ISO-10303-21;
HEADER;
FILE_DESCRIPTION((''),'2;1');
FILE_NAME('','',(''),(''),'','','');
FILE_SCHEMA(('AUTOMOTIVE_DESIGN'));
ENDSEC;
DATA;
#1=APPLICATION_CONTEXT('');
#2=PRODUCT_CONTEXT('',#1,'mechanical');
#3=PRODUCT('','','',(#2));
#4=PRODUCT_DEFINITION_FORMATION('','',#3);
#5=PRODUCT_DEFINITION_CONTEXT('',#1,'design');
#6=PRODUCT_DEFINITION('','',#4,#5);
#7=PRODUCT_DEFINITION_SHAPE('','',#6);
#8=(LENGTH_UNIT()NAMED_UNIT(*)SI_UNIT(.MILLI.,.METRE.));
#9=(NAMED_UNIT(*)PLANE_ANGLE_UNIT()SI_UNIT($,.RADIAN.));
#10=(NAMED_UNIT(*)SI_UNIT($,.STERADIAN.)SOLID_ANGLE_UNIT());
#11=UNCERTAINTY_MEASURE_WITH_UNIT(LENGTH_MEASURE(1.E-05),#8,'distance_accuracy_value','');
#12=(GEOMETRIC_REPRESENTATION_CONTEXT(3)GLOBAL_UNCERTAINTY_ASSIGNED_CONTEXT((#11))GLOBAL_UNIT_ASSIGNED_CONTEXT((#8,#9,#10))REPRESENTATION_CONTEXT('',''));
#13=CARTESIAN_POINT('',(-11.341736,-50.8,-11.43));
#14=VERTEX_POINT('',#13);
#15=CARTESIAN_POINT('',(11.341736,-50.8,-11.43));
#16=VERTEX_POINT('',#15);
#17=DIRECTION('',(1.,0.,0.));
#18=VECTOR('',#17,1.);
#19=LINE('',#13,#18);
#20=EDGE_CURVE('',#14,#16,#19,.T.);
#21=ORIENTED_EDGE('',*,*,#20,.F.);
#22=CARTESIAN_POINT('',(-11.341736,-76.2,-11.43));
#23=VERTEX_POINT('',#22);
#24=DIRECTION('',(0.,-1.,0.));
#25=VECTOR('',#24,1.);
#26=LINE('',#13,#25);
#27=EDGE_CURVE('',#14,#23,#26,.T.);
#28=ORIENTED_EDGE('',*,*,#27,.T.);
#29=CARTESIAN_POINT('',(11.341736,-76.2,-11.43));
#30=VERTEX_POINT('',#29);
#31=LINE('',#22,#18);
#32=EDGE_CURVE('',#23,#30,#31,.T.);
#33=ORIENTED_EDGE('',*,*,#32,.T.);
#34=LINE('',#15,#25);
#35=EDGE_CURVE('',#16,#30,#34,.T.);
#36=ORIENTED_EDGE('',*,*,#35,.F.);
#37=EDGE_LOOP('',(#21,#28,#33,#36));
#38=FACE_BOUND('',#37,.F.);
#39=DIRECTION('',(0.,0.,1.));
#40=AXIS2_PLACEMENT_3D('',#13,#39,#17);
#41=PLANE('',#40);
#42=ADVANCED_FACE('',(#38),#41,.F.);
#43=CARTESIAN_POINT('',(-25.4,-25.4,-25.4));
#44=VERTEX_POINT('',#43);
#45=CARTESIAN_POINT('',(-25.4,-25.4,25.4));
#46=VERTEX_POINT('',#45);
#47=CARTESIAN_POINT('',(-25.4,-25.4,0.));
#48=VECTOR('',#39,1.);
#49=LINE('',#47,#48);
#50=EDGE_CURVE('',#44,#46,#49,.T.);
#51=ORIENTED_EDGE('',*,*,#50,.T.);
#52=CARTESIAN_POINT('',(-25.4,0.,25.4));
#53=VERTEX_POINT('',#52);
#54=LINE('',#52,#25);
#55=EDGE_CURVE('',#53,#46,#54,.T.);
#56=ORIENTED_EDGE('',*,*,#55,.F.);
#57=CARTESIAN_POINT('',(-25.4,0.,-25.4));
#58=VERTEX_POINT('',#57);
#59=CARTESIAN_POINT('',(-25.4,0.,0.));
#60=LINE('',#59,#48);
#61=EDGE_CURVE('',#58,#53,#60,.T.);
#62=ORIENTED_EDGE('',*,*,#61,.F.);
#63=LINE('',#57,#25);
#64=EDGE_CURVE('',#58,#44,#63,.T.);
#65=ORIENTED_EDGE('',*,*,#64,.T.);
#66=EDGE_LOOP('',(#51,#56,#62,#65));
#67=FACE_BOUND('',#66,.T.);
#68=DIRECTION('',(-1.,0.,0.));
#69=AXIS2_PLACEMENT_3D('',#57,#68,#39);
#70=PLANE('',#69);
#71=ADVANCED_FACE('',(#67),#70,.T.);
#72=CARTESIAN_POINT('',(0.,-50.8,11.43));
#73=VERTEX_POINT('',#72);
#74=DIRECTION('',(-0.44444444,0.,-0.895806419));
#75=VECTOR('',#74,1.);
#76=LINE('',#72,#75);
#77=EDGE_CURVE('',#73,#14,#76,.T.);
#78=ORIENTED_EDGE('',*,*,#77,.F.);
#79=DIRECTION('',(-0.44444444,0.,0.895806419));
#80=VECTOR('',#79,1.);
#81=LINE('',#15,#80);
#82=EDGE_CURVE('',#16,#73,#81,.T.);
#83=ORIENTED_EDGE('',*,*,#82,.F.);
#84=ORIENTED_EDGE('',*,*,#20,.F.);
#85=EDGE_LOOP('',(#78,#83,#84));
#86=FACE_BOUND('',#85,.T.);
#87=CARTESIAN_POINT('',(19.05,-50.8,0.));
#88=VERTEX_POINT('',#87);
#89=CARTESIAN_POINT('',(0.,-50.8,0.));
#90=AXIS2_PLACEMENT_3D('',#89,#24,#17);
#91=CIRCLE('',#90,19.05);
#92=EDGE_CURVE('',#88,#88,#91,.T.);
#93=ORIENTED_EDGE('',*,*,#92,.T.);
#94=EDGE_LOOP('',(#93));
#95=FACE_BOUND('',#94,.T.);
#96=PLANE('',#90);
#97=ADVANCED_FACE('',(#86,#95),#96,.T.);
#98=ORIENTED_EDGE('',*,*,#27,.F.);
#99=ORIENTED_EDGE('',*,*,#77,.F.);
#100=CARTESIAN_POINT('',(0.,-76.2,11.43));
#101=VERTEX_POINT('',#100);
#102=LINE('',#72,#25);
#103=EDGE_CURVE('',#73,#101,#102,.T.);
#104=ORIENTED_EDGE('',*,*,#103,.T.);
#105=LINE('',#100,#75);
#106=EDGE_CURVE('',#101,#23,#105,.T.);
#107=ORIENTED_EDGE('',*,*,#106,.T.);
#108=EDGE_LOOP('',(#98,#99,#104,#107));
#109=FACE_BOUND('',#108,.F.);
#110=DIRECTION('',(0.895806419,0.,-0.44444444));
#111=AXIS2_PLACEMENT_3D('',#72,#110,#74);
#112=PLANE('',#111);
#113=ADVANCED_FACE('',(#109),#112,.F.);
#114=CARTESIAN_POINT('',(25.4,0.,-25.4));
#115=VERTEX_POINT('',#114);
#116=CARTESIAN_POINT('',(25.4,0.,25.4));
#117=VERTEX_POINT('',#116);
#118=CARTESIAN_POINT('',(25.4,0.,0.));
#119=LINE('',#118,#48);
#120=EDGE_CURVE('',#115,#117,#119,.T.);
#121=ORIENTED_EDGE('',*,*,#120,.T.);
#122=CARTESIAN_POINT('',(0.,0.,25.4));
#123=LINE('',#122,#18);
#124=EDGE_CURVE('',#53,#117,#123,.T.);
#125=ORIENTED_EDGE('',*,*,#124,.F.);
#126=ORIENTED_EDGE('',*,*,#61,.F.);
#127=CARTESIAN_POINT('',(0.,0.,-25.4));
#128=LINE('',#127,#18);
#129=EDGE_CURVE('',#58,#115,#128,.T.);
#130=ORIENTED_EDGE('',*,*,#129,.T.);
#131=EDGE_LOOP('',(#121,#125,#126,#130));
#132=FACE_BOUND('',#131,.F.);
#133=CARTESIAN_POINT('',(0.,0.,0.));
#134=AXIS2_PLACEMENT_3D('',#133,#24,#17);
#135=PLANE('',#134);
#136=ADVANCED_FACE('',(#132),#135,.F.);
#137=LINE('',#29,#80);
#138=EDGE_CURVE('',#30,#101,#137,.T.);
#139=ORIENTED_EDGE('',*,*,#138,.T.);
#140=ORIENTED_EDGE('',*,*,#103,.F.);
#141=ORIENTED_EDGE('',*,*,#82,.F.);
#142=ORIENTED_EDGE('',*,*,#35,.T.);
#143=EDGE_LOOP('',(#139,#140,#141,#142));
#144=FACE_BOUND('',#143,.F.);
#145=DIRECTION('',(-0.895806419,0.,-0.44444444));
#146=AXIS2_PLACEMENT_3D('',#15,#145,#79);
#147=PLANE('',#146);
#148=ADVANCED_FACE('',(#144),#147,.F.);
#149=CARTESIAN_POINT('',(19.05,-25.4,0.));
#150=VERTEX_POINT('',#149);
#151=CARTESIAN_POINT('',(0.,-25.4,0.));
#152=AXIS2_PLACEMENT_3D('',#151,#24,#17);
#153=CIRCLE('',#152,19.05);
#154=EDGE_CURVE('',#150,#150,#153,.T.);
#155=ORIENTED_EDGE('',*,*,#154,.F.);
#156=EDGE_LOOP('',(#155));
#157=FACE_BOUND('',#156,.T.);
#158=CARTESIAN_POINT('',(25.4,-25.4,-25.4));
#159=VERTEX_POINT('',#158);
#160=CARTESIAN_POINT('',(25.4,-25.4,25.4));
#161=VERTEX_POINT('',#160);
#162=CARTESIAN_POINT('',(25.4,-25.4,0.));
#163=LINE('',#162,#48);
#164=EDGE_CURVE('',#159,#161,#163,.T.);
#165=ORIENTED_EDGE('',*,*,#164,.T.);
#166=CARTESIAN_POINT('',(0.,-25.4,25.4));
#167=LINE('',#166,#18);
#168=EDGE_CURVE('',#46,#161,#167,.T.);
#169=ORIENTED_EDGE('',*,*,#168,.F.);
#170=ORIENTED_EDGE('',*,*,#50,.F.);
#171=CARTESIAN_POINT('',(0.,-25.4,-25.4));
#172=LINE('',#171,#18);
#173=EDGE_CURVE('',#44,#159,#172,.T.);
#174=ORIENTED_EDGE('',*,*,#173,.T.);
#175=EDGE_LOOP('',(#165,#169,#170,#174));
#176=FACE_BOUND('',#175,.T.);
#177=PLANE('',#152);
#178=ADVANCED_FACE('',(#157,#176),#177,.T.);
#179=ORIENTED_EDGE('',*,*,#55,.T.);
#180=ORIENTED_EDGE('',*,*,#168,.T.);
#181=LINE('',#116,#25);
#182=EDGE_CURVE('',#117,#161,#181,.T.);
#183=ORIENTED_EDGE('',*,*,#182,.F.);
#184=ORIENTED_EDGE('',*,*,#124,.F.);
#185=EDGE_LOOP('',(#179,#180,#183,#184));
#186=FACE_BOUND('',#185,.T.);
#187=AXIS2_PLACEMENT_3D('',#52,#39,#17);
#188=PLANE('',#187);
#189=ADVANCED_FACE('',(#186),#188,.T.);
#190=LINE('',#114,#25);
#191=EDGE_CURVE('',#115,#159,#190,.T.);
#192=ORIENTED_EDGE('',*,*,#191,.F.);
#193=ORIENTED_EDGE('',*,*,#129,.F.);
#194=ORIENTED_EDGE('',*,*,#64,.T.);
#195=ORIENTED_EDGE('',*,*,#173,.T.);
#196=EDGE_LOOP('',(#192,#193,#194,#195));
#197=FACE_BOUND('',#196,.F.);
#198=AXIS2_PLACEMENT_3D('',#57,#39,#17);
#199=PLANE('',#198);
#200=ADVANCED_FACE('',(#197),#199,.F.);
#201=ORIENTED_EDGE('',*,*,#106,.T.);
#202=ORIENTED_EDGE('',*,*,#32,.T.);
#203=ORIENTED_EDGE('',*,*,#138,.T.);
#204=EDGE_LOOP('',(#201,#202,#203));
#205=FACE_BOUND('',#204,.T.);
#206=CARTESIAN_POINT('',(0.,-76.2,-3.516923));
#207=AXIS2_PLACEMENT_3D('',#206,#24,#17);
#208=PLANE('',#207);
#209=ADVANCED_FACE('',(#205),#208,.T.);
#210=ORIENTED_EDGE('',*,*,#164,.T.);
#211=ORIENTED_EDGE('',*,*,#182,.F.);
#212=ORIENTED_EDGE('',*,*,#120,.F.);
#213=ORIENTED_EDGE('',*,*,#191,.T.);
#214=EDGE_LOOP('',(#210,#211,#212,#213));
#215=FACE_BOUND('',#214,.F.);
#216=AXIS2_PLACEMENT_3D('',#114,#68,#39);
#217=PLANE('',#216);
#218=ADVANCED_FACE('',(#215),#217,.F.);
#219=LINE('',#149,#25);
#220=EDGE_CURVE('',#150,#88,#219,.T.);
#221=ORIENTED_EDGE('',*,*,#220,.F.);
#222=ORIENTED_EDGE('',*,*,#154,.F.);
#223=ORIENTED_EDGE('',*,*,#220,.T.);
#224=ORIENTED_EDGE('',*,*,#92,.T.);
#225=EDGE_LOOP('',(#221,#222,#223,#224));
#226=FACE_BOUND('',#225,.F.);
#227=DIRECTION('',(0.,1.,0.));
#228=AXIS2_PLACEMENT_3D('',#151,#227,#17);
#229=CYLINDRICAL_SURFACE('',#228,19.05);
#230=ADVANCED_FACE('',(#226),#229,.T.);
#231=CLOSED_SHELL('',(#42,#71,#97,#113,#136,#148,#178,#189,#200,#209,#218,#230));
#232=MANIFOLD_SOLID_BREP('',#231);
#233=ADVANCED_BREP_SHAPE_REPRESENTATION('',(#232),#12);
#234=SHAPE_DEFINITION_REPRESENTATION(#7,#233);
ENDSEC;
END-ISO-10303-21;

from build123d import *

# Parameters (mm, degrees)
F0_W     = 50.8
F0_H     = 50.8
F1_DEPTH = 25.4
F2_R     = 19.05
F3_DEPTH = 25.4
F5_DEPTH = 25.4


with BuildPart() as f1:
    # F0 (on Front) → F1 (new body)
    with BuildSketch(Plane.XZ):
        Rectangle(F0_W, F0_H)
    extrude(amount=F1_DEPTH)

    # F2 (on face) → F3 (join)
    with BuildSketch(Plane.XZ.offset(25.4)):
        Circle(F2_R)
    extrude(amount=F3_DEPTH)

    # F4 (on face) → F5 (join)
    with BuildSketch(Plane.XZ.offset(50.8)):
        Polygon((11.341736, -11.43), (0, 11.43), (-11.341736, -11.43), align=None)
    extrude(amount=F5_DEPTH)


solid = f1.part
